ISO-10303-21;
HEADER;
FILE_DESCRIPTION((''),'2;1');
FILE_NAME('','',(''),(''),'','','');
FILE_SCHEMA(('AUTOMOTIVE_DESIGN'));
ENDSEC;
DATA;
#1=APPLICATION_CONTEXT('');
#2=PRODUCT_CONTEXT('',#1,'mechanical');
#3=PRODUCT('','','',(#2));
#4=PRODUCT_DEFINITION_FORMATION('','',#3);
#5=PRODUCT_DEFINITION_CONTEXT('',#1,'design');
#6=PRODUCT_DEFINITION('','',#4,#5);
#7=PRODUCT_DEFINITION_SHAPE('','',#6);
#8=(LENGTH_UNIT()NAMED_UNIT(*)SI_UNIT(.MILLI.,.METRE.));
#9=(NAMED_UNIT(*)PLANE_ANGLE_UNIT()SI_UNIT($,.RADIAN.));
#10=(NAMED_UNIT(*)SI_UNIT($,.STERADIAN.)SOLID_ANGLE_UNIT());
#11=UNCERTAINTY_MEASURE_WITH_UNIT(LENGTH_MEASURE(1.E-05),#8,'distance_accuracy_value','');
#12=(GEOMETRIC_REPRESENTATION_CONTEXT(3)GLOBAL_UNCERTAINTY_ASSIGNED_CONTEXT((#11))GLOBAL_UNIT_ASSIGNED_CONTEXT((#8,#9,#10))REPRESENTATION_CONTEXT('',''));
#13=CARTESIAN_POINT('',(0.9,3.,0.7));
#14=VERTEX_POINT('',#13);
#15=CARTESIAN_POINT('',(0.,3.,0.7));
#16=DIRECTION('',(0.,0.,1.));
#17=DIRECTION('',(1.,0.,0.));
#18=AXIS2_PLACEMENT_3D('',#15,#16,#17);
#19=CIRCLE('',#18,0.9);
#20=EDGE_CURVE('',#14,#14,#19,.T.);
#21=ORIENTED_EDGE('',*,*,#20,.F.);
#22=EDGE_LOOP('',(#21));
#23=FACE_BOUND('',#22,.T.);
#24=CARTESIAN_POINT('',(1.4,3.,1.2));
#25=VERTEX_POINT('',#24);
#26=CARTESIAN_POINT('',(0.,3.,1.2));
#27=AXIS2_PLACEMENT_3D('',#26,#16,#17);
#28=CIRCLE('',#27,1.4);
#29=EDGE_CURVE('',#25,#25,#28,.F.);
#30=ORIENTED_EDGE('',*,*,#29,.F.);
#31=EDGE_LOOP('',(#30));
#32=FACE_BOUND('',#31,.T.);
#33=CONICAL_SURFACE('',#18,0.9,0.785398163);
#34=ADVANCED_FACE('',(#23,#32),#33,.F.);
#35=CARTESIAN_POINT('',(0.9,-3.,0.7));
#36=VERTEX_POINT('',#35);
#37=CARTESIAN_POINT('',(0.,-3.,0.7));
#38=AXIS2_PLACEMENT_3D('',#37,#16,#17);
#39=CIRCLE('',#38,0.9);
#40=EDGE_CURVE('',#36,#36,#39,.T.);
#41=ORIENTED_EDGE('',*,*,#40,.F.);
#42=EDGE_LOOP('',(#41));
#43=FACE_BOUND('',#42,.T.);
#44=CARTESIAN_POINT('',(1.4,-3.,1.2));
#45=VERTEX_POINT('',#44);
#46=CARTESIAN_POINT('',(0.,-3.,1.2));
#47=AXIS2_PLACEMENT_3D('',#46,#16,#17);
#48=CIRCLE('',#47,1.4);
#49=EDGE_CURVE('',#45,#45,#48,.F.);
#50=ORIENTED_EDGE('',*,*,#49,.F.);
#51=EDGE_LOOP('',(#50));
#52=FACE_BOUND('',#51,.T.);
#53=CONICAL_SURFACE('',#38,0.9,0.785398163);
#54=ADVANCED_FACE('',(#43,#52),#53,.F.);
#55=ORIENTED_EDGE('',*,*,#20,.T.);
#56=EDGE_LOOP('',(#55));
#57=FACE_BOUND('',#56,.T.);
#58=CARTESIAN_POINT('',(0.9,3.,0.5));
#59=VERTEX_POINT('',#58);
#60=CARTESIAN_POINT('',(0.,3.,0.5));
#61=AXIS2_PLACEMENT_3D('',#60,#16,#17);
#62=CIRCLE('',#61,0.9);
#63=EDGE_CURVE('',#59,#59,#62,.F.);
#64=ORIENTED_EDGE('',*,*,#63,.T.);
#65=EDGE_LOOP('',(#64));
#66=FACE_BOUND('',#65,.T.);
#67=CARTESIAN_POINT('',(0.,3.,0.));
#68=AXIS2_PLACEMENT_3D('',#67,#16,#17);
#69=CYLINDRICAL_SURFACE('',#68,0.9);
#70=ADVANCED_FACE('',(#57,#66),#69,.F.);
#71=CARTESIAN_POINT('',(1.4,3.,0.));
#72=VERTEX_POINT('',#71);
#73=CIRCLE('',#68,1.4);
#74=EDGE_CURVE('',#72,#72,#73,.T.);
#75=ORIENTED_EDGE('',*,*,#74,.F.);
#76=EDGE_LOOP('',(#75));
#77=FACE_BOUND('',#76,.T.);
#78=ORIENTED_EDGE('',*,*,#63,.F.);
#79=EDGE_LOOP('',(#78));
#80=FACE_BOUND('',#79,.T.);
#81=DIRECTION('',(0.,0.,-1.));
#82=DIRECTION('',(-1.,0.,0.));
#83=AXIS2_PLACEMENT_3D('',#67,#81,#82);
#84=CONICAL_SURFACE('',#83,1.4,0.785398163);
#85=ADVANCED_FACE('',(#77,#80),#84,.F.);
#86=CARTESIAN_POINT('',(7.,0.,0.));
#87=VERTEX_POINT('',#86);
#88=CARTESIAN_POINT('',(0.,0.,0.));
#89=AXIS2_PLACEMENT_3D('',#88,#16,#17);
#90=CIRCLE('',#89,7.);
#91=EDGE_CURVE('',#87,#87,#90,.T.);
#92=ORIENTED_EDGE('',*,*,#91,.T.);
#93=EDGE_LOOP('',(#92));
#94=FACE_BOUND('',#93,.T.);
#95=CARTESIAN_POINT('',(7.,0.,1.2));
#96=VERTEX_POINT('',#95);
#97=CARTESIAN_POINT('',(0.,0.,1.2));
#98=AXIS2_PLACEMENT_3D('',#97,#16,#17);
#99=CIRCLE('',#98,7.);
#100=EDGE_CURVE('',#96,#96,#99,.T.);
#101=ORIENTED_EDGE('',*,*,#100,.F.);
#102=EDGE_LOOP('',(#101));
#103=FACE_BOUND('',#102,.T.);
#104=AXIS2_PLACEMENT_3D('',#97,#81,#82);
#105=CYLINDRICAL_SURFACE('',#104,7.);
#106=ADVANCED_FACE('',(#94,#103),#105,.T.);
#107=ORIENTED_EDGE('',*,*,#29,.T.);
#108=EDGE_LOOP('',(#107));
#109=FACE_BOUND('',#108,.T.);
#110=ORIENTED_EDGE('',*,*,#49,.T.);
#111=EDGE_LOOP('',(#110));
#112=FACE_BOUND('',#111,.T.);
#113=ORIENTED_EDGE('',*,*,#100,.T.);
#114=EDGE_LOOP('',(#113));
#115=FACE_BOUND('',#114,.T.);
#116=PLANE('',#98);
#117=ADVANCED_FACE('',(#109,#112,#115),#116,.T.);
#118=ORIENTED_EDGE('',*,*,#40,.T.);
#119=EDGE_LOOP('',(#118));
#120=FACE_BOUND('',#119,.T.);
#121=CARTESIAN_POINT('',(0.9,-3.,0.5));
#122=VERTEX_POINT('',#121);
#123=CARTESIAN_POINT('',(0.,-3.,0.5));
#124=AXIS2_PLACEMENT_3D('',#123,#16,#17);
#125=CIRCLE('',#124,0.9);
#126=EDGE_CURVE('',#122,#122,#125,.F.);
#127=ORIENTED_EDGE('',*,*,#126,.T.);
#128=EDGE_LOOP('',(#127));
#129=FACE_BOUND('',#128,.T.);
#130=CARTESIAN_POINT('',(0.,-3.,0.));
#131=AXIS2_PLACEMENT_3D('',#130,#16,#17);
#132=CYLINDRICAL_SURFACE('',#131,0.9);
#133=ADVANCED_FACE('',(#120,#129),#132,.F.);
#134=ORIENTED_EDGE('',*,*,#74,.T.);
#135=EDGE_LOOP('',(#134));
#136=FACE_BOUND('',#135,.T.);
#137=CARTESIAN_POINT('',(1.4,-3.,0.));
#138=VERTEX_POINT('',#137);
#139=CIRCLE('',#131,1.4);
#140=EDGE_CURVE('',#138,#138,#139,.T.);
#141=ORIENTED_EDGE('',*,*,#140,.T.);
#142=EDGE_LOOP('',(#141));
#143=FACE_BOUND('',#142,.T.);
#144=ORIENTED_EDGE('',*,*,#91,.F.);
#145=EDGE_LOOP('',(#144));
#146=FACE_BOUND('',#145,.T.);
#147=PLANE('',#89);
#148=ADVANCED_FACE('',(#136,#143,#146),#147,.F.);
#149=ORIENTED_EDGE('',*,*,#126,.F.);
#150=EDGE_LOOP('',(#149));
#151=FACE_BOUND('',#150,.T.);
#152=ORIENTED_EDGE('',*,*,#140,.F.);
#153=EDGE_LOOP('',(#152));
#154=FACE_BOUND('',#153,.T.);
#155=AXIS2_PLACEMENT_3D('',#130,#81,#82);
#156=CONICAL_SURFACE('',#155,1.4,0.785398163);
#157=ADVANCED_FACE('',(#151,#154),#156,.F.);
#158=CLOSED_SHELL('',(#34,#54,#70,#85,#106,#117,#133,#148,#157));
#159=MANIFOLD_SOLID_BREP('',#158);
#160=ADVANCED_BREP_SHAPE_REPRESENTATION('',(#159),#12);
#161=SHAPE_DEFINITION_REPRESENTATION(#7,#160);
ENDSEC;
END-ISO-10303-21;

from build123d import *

# Parameters (mm, degrees)
SKETCH_1_R          = 7
EXTRUDE_1_DEPTH     = 1.2
SKETCH_2_R          = 0.9
CUT_EXTRUDE_1_DEPTH = 10.97196069
CHAMFER_1_SIZE      = 0.5


with BuildPart() as part:
    # 草图1 → 凸台-拉伸1 (new body)
    with BuildSketch(Plane.XY):
        Circle(SKETCH_1_R)
    extrude(amount=EXTRUDE_1_DEPTH)

    # 草图2 → 切除-拉伸1 (cut, through all)
    with BuildSketch(Plane.XY.offset(1.2)):
        with Locations((0, 3)):
            Circle(SKETCH_2_R)
        with Locations(Location((0, -3, 0), (0, 0, 180))):
            Circle(SKETCH_2_R)
    extrude(amount=-CUT_EXTRUDE_1_DEPTH, mode=Mode.SUBTRACT)

    # Chamfer 1
    chamfer_1_edges = [part.edges().sort_by_distance(p)[0] for p in [
        (0.9, -3, 1.2),
        (-0.9, 3, 0),
        (-0.9, 3, 1.2),
        (0.9, -3, 0),
    ]]
    chamfer(chamfer_1_edges, length=CHAMFER_1_SIZE)


solid = part.part
